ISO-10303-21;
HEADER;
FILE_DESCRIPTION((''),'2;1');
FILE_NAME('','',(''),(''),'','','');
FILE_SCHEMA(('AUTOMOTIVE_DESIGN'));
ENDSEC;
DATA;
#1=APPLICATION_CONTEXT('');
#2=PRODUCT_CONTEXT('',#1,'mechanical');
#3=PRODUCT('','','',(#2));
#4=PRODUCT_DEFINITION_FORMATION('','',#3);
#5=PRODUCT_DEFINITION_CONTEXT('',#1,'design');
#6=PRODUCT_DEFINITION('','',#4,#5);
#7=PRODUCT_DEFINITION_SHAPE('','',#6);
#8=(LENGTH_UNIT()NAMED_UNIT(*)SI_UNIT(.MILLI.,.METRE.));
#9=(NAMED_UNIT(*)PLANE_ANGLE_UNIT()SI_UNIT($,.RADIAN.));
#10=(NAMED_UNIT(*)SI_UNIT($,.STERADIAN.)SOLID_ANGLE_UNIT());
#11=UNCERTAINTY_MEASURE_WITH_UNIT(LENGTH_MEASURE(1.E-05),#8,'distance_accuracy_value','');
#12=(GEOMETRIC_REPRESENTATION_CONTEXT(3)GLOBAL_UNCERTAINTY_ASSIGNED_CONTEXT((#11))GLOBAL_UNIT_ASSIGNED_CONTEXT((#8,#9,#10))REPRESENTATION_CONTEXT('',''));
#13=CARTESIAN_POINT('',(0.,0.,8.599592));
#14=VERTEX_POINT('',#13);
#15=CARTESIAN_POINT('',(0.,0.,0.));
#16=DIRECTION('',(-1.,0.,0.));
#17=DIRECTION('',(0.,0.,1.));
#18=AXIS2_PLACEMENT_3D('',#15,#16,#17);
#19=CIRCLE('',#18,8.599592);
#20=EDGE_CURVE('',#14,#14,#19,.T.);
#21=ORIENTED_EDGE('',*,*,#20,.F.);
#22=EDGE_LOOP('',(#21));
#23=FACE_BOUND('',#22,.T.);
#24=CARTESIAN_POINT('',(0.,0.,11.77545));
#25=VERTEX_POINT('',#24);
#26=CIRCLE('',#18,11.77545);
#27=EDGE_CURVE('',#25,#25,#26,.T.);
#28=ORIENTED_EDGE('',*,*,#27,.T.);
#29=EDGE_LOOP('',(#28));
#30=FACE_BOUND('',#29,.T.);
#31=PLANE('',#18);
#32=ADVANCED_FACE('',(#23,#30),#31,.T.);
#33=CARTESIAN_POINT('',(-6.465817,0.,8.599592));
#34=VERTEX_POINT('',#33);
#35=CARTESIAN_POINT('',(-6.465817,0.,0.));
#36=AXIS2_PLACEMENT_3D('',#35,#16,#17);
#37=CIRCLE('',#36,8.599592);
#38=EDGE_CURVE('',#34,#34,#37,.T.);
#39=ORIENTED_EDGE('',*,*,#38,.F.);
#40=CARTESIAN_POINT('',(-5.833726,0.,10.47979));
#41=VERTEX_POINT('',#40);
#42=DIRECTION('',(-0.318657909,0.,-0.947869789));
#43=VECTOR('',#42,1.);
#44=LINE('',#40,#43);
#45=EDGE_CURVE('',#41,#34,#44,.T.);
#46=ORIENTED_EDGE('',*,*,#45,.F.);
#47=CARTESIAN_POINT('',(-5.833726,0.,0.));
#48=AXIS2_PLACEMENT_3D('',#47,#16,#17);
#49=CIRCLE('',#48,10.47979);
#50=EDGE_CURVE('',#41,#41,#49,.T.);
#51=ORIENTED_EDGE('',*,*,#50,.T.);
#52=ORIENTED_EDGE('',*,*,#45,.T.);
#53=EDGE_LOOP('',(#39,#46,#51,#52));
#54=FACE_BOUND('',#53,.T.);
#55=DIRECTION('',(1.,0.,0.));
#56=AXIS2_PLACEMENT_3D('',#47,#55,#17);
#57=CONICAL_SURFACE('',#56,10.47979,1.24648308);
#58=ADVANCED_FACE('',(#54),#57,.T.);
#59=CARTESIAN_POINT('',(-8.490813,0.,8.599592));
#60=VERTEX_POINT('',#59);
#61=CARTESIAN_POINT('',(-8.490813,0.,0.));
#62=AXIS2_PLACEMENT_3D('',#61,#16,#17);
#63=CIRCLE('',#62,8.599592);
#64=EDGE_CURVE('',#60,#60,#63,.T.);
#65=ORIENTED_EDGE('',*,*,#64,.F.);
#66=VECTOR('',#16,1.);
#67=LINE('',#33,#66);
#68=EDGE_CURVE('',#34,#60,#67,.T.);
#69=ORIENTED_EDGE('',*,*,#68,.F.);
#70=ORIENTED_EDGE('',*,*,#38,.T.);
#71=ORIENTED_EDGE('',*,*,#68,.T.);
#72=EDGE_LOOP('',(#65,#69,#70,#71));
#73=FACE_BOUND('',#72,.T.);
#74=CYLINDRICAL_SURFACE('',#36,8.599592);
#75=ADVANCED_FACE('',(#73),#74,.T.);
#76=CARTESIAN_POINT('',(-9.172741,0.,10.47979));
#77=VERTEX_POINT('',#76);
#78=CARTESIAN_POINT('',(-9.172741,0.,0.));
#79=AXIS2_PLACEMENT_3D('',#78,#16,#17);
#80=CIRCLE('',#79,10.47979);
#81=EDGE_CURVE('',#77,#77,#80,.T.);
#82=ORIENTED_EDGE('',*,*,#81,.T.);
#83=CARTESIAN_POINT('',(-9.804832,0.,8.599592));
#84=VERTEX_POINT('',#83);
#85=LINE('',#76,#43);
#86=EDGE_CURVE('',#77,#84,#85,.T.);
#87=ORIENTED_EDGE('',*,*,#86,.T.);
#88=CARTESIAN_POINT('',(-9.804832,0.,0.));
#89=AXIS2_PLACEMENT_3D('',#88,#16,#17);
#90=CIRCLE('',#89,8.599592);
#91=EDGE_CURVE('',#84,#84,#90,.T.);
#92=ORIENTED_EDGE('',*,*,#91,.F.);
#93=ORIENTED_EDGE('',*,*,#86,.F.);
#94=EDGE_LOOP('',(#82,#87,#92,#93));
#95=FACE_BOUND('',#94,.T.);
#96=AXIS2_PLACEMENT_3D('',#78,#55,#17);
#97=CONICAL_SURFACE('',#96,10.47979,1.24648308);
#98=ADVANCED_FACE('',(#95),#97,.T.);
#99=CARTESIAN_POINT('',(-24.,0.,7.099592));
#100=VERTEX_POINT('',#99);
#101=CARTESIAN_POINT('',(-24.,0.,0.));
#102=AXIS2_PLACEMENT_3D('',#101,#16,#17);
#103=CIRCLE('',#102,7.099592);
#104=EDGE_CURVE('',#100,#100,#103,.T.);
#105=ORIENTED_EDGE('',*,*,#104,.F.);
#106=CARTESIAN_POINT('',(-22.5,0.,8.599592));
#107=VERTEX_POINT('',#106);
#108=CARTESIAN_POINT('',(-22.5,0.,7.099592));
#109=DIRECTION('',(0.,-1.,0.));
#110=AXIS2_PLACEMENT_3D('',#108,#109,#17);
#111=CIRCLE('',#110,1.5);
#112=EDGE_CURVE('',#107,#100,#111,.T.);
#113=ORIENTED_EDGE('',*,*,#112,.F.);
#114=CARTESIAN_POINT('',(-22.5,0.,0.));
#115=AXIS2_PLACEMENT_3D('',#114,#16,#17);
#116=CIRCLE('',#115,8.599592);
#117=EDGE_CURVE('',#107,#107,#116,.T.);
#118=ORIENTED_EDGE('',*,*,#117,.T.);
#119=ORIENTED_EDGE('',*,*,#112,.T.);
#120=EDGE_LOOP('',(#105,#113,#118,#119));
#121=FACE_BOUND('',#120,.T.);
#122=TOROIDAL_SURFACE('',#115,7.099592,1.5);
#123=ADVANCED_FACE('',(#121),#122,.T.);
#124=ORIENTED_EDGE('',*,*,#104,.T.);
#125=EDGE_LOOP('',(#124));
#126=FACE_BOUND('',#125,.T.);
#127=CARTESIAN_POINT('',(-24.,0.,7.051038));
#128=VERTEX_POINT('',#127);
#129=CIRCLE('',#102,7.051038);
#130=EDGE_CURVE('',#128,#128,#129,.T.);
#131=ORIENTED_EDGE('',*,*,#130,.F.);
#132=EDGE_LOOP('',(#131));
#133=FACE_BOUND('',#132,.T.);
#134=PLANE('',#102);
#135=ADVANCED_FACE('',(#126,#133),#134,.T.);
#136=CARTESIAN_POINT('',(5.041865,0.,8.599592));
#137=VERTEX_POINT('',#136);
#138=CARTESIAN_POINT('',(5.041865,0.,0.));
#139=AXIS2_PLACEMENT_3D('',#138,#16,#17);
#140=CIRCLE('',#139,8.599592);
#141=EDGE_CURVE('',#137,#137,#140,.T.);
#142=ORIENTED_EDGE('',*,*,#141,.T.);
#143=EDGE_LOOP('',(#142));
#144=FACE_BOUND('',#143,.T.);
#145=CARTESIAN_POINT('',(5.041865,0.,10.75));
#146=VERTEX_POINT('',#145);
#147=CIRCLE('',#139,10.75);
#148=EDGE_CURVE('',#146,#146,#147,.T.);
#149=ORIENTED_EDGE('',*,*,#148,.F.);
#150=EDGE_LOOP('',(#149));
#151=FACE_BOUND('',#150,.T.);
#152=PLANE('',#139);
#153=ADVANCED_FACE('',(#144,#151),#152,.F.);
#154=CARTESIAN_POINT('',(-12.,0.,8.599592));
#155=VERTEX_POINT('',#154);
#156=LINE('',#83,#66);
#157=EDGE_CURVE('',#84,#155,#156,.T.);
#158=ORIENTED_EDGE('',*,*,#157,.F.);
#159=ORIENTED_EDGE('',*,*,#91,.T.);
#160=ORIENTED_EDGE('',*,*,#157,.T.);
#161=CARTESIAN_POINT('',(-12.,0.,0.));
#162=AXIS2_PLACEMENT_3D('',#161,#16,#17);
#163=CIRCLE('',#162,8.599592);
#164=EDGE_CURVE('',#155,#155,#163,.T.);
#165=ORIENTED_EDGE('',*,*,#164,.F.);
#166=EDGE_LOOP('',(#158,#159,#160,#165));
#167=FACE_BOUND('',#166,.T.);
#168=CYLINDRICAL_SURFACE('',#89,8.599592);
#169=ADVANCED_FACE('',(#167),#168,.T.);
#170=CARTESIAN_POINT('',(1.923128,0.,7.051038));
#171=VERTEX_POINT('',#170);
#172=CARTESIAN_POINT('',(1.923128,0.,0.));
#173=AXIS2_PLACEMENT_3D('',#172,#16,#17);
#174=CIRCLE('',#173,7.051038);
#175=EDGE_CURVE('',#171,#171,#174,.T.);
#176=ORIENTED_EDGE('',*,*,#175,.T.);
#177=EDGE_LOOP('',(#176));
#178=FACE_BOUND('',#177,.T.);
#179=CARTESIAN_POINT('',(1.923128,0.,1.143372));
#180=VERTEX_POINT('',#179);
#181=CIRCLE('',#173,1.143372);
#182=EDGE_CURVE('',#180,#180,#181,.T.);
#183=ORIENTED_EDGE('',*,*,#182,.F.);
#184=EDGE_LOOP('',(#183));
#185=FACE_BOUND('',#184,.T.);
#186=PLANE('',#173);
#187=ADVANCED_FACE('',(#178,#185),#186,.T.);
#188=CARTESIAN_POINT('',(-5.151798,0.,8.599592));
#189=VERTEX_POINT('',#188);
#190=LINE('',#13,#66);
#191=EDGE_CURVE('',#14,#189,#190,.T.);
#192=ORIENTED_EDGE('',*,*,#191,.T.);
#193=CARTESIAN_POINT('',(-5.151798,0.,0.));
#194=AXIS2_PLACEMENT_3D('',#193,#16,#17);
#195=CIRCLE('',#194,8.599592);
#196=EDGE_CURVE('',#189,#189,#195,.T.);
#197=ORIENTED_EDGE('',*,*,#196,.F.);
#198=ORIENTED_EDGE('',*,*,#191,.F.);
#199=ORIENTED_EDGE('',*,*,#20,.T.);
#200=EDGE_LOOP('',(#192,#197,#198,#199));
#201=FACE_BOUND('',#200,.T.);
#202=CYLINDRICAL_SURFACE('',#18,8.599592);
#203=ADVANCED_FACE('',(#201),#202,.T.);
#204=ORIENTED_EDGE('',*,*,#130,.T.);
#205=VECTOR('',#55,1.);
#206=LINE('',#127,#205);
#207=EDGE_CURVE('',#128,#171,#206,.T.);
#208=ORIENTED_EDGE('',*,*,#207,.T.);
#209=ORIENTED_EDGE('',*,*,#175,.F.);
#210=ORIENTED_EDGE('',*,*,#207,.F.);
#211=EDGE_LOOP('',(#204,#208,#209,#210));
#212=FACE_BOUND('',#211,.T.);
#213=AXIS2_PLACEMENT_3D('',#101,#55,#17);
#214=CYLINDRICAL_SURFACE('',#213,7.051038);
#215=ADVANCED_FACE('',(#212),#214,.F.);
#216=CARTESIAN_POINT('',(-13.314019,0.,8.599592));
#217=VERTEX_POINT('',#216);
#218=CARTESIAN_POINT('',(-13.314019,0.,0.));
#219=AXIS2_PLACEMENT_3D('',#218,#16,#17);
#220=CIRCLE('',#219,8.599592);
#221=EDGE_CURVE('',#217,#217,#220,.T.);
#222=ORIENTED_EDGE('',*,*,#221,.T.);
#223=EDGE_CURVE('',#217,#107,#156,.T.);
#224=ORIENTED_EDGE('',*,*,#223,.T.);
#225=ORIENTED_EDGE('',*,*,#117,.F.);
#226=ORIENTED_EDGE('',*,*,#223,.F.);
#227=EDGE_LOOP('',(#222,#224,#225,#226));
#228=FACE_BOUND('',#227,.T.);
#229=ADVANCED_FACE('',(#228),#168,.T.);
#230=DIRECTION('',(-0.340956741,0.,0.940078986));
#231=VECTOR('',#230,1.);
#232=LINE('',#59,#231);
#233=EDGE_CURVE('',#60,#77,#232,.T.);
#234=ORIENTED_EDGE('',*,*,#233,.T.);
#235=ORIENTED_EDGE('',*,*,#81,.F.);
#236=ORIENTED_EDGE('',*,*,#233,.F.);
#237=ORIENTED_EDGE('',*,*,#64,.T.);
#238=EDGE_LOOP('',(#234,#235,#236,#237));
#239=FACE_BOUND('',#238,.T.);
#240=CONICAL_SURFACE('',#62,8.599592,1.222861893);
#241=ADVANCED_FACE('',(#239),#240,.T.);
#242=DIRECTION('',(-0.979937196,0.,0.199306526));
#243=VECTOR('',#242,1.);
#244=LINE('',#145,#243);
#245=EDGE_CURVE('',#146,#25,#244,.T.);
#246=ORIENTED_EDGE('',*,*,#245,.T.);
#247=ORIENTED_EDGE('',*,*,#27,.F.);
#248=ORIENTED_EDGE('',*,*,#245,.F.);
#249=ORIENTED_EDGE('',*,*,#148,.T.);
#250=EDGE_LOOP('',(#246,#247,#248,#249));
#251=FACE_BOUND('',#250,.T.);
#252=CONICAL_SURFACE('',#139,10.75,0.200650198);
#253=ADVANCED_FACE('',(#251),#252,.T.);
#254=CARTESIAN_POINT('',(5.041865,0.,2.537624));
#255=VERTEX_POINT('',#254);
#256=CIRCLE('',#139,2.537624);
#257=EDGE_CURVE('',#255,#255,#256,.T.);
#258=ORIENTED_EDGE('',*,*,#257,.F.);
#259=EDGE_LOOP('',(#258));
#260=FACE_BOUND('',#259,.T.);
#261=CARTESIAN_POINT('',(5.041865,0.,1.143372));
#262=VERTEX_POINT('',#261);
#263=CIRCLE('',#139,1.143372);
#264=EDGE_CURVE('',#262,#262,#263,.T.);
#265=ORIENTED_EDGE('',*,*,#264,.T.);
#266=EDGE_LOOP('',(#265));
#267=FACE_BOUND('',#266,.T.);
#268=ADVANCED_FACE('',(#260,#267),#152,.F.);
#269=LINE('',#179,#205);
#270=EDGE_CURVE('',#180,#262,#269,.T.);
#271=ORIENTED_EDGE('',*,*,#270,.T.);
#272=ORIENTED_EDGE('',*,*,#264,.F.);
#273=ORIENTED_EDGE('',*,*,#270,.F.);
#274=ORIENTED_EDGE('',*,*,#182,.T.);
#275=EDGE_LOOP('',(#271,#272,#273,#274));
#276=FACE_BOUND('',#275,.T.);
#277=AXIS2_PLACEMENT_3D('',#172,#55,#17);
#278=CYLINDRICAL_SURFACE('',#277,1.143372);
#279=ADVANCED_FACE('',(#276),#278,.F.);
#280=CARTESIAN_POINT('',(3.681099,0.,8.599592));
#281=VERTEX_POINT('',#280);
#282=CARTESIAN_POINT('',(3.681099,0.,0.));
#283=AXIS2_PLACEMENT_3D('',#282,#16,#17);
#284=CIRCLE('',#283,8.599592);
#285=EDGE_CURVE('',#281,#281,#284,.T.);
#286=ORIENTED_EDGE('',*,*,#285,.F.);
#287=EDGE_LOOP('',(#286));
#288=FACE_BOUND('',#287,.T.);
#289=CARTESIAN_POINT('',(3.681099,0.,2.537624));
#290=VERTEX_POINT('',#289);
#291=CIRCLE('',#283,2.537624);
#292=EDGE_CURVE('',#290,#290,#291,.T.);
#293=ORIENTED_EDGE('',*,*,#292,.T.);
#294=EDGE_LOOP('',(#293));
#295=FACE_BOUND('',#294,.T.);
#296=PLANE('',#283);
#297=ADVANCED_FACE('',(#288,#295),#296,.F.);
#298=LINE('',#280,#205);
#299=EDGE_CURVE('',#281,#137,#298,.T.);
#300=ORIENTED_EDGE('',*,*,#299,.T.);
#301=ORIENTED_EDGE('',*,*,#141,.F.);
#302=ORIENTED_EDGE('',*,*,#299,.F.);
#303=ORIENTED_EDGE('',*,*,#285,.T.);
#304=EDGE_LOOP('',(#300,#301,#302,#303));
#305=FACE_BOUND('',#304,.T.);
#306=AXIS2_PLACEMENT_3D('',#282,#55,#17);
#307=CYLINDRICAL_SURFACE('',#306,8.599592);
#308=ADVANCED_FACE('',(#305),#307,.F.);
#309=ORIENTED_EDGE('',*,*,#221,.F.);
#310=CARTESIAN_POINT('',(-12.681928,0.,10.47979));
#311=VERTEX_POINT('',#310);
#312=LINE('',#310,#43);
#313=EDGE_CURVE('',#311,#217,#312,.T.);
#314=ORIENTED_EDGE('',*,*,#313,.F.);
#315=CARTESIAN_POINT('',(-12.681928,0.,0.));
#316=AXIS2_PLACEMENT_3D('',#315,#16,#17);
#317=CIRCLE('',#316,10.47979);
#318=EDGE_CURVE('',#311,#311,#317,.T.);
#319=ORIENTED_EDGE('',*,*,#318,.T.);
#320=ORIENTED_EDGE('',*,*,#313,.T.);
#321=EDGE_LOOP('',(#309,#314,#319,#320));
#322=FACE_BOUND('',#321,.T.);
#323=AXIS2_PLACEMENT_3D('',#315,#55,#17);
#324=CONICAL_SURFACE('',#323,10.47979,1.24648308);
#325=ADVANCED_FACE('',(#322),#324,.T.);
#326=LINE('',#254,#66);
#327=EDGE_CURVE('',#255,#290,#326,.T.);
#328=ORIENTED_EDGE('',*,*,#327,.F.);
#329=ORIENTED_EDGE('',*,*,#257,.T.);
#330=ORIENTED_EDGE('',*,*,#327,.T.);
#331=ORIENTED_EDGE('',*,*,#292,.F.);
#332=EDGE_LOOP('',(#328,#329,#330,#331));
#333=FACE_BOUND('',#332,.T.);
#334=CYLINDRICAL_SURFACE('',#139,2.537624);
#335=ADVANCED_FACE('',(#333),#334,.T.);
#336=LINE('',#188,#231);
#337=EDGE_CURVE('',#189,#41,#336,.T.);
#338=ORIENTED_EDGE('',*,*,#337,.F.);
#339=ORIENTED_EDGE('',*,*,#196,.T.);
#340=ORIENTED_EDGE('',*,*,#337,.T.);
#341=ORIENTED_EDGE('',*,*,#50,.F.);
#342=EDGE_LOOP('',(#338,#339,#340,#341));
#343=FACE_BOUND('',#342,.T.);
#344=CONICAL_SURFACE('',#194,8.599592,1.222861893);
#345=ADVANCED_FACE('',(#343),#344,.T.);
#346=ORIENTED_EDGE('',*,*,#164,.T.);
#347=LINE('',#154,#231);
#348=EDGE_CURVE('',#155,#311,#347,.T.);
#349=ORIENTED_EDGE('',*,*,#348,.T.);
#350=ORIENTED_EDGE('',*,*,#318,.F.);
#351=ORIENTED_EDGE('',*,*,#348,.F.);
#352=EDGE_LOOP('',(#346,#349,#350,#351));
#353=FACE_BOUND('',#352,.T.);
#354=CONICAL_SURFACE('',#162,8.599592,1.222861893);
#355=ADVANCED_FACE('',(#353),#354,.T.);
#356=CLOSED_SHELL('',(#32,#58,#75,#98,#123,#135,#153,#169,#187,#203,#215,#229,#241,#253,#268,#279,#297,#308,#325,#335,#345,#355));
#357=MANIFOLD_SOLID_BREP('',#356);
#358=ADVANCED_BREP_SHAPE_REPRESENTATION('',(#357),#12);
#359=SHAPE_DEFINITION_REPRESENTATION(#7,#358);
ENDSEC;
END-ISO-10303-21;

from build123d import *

# Parameters (mm, degrees)
F2_R = 1.5


with BuildPart() as f1:
    # F0 (on Front) → F1 (revolve)
    with BuildSketch(Plane.XZ):
        Polygon((-9.172741, 10.47979), (-9.804832, 8.599592), (-8.490813, 8.599592), align=None)
        Polygon((-5.833726, 10.47979), (-6.465817, 8.599592), (-5.151798, 8.599592), align=None)
        Polygon((-13.314019, 8.599592), (-24, 8.599592), (-24, 7.051038), (1.923128, 7.051038), (1.923128, 1.143372), (5.041865, 1.143372), (5.041865, 2.537624), (3.681099, 2.537624), (3.681099, 8.599592), (5.041865, 8.599592), (5.041865, 10.75), (0, 11.77545), (0, 8.599592), (-5.151798, 8.599592), (-6.465817, 8.599592), (-8.490813, 8.599592), (-9.804832, 8.599592), (-12, 8.599592), align=None)
        Polygon((-12.681928, 10.47979), (-13.314019, 8.599592), (-12, 8.599592), align=None)
    revolve(axis=Axis((-12, 0, 0), (-1, 0, 0)))

    # F2
    f2_edges = [f1.edges().sort_by_distance(p)[0] for p in [
        (-24, 0, -8.599592),
    ]]
    fillet(f2_edges, radius=F2_R)


solid = f1.part
